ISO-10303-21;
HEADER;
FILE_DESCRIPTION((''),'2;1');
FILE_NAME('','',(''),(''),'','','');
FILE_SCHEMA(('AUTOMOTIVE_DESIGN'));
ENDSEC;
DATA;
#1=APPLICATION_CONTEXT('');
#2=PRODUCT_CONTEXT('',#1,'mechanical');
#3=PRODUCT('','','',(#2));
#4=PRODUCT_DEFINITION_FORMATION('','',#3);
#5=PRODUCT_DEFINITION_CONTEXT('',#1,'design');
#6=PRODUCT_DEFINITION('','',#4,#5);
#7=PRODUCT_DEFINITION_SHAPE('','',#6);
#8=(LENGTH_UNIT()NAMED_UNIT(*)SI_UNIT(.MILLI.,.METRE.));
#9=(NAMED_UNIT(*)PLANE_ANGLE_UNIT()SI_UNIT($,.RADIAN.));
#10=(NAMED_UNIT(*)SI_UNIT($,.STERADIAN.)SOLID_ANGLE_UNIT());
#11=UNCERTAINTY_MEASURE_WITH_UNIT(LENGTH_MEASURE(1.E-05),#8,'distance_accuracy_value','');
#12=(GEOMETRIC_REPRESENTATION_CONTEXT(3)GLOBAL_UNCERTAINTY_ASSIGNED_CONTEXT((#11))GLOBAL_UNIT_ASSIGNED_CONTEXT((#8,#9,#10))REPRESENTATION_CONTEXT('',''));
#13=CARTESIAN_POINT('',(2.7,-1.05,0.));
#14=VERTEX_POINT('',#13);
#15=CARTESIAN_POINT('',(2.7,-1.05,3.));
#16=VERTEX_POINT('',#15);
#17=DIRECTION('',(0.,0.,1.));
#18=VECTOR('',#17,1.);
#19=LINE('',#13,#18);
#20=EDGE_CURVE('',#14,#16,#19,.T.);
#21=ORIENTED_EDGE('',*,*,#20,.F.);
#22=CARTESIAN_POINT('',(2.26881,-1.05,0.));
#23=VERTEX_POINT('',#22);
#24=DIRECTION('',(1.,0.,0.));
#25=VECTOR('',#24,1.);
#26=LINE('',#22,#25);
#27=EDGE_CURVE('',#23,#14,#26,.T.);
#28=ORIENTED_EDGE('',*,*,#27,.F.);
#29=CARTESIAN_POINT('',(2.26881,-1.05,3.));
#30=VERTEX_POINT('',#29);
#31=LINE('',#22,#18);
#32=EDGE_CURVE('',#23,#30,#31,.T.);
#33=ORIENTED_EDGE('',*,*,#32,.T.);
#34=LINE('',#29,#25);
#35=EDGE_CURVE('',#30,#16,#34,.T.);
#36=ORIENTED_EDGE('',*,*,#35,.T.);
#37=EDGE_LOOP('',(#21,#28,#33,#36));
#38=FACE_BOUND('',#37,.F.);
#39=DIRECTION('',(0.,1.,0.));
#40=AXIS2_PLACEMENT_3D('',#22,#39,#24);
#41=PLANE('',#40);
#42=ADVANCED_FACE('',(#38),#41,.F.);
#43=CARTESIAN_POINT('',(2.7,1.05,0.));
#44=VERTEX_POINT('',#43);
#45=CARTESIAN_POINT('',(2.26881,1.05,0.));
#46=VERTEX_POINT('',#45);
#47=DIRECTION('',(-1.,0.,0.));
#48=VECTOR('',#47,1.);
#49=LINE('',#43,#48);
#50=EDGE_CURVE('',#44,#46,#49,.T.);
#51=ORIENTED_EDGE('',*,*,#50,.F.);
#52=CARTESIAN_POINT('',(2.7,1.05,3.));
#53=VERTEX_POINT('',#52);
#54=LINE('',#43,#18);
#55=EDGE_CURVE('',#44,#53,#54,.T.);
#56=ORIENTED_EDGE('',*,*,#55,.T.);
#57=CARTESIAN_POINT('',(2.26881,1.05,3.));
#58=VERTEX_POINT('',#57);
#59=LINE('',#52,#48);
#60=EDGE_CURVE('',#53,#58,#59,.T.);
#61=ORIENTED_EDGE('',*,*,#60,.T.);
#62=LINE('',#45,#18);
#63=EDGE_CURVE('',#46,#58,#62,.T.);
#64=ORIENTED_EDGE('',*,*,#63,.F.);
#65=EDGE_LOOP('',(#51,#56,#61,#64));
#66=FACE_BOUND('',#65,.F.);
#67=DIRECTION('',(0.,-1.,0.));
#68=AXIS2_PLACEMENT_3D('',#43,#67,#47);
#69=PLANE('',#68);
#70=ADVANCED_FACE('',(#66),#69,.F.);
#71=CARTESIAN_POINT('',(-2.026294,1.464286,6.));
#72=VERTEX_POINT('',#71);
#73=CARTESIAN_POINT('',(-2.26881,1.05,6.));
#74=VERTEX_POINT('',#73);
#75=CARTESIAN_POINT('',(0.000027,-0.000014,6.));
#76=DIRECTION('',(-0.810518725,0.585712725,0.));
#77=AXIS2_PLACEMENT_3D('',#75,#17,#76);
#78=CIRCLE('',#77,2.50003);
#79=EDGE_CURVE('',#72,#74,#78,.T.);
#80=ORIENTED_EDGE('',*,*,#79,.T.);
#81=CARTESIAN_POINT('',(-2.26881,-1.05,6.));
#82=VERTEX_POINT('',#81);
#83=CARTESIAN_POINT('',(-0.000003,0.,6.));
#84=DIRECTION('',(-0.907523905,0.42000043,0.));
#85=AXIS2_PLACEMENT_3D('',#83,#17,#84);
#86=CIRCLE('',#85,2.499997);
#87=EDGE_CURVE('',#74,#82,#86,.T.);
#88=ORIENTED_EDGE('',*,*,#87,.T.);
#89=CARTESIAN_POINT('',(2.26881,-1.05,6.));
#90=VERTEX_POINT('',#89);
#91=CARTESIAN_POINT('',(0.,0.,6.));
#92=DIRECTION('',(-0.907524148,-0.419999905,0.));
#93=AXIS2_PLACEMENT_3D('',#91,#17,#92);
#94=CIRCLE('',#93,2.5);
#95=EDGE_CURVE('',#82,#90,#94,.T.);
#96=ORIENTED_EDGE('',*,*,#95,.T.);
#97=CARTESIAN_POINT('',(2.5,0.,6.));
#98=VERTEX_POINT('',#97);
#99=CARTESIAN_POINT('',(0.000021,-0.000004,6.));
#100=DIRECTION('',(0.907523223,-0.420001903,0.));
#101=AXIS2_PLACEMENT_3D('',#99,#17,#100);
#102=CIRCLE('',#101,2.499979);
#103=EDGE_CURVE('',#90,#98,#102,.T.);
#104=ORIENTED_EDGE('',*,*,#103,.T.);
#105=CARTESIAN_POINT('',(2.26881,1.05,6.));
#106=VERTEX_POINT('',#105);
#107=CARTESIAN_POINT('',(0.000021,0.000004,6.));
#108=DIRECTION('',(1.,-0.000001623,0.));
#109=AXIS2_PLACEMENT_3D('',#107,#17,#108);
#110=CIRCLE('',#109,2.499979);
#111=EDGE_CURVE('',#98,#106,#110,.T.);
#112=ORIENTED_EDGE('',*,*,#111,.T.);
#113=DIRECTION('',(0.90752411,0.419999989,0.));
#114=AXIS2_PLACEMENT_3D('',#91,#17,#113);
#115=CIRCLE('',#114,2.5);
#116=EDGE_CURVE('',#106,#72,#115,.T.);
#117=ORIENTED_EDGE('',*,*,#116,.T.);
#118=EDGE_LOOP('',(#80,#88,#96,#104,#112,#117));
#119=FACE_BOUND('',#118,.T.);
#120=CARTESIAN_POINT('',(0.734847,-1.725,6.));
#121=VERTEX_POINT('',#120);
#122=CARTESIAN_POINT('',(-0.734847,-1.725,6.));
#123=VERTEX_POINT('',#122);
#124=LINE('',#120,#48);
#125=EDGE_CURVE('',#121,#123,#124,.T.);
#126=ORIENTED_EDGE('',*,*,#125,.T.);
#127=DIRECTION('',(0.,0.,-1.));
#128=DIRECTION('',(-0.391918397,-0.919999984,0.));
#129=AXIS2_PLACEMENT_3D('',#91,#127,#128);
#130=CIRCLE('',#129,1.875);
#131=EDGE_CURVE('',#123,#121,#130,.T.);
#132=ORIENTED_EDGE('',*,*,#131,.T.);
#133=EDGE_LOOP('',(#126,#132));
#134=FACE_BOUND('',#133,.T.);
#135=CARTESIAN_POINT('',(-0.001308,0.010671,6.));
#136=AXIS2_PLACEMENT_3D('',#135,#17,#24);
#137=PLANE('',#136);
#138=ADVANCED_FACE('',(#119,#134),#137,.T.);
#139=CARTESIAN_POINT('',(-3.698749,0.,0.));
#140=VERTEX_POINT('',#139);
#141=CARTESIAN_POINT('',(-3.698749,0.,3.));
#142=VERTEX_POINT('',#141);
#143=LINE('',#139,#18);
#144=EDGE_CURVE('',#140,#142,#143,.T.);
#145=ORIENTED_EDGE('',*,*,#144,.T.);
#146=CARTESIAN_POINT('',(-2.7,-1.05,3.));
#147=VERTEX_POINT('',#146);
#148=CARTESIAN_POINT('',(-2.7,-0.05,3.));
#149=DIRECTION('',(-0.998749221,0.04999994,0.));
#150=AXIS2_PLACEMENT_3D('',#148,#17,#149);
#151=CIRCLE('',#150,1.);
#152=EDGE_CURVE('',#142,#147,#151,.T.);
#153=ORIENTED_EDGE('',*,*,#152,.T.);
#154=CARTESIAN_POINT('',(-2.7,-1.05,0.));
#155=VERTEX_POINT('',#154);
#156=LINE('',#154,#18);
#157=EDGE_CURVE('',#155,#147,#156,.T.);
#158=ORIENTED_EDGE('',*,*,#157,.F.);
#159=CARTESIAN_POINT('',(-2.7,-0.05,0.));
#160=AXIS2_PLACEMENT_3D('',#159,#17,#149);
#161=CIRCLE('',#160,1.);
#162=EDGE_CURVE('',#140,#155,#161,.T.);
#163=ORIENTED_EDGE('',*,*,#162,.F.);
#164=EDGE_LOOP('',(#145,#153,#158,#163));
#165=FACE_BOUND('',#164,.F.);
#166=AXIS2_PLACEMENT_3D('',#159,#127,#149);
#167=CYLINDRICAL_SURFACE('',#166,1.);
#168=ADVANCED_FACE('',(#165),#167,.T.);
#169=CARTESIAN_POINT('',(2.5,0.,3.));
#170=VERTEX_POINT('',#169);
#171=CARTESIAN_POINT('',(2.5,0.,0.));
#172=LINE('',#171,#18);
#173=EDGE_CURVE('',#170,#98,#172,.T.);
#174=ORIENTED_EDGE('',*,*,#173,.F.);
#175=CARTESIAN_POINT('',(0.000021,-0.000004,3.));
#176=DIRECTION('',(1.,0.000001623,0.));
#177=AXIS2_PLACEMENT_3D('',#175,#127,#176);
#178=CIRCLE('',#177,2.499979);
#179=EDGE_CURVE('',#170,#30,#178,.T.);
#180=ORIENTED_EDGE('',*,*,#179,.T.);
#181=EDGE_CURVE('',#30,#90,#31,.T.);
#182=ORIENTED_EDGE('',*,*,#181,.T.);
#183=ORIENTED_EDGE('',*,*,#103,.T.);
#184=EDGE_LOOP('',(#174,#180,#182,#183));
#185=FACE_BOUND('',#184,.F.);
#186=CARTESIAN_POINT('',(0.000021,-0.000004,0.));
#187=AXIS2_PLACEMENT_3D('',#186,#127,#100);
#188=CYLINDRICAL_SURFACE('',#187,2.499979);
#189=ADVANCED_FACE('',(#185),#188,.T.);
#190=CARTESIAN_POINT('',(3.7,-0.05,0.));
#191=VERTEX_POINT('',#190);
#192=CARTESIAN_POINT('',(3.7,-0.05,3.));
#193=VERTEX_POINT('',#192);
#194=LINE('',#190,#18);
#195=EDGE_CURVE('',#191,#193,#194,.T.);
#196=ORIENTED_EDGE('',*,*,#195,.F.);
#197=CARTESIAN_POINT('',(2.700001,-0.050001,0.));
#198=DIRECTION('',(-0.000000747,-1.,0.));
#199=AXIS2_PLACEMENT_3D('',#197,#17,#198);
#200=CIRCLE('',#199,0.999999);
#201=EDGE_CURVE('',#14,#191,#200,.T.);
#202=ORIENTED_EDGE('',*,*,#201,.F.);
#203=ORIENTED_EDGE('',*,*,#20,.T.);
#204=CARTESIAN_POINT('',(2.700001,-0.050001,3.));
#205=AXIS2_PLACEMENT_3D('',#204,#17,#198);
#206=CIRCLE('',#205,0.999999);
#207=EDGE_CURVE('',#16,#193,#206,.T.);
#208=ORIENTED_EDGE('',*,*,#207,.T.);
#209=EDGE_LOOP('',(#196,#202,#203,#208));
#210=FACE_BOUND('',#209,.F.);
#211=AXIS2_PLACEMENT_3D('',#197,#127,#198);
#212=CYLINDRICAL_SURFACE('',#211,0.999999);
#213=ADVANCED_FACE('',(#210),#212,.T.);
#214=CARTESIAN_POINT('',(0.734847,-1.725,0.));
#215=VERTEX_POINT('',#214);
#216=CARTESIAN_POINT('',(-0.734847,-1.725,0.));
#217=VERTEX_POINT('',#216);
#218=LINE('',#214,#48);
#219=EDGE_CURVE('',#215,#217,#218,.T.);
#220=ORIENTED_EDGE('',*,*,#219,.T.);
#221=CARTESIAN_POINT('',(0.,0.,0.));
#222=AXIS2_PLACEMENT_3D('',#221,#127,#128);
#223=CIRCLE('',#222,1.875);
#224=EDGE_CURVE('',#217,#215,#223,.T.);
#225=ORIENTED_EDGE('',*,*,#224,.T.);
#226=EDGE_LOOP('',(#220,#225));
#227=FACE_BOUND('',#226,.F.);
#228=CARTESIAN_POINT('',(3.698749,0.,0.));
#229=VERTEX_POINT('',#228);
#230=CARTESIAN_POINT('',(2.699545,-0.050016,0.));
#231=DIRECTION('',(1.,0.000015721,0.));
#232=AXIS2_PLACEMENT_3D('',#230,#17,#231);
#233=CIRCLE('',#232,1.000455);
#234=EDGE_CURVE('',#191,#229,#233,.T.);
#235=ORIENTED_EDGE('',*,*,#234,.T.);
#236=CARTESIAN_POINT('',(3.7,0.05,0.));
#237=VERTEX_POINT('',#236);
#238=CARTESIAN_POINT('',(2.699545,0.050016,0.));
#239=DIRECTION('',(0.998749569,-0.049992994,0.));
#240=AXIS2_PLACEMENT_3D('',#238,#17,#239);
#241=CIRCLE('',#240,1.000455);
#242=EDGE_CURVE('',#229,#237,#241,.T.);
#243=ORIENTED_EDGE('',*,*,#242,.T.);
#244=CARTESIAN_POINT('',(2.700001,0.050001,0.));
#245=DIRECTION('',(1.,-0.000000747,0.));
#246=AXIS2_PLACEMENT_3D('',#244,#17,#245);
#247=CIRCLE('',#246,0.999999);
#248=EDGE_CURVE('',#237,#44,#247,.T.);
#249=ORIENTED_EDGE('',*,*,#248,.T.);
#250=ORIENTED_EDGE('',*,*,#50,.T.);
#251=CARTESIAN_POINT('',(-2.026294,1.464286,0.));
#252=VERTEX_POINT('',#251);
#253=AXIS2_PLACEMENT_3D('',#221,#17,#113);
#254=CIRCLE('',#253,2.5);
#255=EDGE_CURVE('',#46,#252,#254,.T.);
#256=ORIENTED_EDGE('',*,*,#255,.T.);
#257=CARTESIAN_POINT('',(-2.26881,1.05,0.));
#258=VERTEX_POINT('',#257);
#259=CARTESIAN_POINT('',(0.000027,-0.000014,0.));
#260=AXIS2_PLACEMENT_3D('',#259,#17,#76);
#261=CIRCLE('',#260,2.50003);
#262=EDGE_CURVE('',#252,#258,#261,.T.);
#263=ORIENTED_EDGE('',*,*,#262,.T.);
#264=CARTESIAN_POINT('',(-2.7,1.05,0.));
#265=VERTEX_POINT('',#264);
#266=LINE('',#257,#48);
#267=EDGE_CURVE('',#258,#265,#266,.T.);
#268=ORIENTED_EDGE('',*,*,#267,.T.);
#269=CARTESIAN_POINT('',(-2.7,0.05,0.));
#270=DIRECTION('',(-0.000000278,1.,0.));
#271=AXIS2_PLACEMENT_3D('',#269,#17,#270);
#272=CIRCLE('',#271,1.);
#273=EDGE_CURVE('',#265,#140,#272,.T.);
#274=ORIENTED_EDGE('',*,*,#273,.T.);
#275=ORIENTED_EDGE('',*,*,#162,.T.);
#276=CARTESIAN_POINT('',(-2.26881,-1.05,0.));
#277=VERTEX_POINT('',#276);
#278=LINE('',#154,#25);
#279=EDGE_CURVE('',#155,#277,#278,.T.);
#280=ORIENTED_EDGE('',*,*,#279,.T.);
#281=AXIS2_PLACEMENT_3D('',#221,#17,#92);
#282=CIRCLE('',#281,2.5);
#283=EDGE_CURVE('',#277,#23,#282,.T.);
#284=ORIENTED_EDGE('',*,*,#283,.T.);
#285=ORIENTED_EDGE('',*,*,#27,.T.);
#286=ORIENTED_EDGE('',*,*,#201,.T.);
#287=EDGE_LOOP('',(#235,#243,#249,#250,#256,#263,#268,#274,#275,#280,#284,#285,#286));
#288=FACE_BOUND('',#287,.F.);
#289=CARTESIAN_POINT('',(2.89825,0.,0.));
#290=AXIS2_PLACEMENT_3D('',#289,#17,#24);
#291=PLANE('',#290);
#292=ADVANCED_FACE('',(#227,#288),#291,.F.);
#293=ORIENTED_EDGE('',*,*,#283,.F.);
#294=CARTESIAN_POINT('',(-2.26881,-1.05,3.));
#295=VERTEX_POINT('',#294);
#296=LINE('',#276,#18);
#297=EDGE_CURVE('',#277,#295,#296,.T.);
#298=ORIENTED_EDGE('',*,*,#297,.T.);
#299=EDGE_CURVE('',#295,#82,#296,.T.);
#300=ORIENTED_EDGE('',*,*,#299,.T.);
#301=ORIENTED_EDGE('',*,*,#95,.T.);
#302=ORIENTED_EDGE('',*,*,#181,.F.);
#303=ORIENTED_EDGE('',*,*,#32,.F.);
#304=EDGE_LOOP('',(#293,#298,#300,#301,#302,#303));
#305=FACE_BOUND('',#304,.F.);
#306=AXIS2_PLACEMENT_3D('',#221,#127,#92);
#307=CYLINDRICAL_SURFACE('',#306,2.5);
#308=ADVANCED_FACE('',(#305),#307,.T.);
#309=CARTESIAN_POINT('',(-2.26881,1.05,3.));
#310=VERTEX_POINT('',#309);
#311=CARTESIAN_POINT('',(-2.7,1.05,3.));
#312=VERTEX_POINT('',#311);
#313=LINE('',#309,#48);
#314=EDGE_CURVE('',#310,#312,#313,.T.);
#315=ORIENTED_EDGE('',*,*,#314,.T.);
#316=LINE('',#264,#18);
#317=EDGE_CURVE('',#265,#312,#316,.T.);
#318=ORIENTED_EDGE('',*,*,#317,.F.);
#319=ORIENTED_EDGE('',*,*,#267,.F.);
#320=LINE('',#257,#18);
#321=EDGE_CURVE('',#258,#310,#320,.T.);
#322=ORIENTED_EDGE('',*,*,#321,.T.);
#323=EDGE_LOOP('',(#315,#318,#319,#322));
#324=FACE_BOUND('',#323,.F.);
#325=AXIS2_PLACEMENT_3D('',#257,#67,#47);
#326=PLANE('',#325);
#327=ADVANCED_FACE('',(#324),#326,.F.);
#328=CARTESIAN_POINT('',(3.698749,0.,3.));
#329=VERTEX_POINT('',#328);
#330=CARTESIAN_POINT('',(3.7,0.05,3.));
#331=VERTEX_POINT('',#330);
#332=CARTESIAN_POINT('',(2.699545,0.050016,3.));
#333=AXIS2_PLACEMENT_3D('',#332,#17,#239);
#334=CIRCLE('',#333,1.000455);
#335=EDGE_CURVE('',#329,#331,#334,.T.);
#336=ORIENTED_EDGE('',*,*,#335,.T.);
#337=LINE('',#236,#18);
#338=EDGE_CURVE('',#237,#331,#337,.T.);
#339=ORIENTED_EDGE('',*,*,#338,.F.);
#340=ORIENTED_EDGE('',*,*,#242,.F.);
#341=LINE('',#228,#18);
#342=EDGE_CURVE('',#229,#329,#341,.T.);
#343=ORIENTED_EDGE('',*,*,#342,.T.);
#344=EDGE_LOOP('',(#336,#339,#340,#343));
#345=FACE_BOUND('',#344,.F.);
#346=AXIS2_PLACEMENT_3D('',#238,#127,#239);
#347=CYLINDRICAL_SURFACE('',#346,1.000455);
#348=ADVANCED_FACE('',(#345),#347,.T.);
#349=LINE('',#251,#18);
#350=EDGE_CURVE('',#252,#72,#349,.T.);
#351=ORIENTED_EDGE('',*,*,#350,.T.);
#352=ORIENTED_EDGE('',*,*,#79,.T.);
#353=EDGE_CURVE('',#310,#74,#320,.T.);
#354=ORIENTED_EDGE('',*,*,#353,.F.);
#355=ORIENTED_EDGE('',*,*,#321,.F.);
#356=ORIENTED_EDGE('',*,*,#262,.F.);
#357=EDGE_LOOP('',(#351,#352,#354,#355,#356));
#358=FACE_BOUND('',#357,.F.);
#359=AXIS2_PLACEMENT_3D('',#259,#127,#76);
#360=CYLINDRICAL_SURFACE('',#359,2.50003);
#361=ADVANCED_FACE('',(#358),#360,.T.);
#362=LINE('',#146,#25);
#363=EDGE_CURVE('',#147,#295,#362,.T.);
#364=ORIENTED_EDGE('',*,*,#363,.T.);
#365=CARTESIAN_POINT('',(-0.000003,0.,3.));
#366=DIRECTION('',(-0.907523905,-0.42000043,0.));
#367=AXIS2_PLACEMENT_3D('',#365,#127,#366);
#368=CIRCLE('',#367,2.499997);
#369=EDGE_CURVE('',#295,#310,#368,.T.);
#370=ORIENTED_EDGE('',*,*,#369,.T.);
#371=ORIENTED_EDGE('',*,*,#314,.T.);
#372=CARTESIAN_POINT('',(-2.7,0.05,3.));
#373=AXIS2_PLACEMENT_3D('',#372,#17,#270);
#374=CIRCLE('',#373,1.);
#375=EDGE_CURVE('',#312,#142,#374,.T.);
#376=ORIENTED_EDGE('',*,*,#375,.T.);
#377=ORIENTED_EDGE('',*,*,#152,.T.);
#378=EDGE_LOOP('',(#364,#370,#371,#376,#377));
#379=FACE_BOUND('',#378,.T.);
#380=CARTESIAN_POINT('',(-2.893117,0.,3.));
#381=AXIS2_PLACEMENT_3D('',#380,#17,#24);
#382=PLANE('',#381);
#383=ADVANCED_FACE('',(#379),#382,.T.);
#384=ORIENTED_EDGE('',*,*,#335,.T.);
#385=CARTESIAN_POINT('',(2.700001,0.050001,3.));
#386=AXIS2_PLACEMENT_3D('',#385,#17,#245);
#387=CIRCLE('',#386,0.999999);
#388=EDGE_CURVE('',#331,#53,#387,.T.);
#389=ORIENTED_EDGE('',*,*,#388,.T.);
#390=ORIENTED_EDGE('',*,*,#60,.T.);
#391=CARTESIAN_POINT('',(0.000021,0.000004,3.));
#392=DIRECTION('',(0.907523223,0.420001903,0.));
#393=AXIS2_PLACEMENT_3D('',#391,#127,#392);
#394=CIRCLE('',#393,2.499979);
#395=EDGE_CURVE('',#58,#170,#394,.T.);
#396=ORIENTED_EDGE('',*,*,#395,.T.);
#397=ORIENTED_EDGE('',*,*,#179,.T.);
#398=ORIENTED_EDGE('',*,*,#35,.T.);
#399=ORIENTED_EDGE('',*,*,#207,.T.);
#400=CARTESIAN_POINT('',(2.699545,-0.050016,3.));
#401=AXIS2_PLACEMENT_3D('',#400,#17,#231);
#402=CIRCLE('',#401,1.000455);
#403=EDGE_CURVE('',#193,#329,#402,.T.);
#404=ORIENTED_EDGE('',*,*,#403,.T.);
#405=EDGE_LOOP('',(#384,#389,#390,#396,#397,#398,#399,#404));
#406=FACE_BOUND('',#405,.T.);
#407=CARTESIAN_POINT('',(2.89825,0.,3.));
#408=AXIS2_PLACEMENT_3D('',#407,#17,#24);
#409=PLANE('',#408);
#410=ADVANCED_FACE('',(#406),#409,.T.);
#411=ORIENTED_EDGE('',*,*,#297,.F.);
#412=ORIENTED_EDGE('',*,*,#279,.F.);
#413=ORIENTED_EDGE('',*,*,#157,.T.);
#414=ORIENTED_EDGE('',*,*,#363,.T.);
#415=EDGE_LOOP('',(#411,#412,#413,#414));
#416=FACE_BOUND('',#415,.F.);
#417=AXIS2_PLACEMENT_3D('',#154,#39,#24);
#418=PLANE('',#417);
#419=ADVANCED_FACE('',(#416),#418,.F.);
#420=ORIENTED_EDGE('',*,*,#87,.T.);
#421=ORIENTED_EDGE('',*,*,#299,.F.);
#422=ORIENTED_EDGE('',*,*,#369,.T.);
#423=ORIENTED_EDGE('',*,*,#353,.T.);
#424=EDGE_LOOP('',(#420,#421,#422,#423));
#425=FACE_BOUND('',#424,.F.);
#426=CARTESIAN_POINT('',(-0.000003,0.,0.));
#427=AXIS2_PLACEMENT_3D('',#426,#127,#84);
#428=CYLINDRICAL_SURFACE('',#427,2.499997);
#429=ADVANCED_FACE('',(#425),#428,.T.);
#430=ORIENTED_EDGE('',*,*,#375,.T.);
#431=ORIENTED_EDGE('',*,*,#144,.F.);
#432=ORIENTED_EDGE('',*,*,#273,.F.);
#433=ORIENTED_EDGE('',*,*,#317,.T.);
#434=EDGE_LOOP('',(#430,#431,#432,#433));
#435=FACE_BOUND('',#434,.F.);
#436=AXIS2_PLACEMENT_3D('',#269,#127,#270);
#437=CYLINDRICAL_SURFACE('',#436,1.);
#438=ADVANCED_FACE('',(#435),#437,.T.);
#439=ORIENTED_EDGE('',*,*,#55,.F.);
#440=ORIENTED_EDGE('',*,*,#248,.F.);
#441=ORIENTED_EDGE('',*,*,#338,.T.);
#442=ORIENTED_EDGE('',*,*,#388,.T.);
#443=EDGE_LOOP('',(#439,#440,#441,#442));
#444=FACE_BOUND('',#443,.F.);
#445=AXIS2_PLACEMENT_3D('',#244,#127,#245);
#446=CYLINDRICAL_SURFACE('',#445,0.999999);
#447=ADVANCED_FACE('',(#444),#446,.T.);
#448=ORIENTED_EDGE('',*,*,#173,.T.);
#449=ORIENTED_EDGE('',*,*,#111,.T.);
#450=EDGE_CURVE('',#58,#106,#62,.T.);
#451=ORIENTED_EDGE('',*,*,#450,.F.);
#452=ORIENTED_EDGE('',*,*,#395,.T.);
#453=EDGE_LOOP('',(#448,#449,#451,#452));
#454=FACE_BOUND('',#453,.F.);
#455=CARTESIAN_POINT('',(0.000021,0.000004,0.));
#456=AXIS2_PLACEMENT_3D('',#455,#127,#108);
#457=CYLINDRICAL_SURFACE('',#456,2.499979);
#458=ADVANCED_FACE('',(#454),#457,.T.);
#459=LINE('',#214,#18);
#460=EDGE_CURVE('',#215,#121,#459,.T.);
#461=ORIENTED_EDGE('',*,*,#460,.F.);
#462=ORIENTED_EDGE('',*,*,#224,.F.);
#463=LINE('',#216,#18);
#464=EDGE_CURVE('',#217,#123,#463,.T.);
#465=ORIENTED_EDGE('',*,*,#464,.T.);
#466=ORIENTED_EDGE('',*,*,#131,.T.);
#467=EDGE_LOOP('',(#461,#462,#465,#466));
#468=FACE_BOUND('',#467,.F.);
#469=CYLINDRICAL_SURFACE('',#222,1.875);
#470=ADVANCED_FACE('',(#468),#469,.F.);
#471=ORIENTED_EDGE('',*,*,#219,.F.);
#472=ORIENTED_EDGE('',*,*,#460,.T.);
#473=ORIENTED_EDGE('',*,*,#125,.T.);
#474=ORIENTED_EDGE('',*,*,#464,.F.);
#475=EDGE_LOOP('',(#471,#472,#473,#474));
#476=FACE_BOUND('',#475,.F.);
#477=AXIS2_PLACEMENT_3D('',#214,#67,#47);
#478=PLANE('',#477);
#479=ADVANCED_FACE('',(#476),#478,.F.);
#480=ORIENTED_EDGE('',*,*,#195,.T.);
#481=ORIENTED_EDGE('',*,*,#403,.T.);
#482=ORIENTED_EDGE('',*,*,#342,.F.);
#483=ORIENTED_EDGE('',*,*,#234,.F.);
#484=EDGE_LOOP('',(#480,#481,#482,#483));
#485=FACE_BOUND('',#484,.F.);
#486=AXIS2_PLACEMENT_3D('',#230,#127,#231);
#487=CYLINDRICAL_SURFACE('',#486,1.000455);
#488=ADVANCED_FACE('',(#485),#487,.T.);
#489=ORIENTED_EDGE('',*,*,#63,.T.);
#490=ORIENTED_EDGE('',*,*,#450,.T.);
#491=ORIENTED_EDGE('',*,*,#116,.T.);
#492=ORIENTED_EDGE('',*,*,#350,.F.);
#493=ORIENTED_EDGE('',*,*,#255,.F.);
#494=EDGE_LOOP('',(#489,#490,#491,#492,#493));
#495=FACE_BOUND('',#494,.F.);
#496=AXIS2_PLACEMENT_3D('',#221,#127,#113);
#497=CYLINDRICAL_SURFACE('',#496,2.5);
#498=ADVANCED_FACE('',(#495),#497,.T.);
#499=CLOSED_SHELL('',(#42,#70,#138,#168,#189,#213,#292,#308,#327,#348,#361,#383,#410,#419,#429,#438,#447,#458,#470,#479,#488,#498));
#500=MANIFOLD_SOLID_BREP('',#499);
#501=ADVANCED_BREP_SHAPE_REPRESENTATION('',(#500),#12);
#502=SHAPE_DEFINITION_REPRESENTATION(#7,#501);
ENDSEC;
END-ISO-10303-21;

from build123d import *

# Parameters (mm, degrees)
F1_DEPTH = 6
F2_DEPTH = 3


with BuildPart() as f1:
    # F0 (on Top) → F1 (new body)
    with BuildSketch(Plane.XY):
        with BuildLine():
            ThreePointArc((2.26881, -1.05), (2.441519, -0.537575), (2.5, 0))
            ThreePointArc((2.5, 0), (2.441519, 0.537575), (2.26881, 1.05))
            ThreePointArc((2.26881, 1.05), (0.240024, 2.488451), (-2.026294, 1.464286))
            ThreePointArc((-2.026294, 1.464286), (-2.157519, 1.262977), (-2.26881, 1.05))
            ThreePointArc((-2.26881, 1.05), (-2.5, 0), (-2.26881, -1.05))
            ThreePointArc((-2.26881, -1.05), (0, -2.5), (2.26881, -1.05))
        make_face()
        with BuildLine():
            ThreePointArc((-0.734847, -1.725), (0, 1.875), (0.734847, -1.725))
            Line((0.734847, -1.725), (-0.734847, -1.725))
        make_face(mode=Mode.SUBTRACT)
    extrude(amount=F1_DEPTH)

    # F0 (on Top) → F2 (join)
    with BuildSketch(Plane.XY):
        with BuildLine():
            ThreePointArc((2.26881, 1.05), (2.441519, 0.537575), (2.5, 0))
            ThreePointArc((2.5, 0), (2.441519, -0.537575), (2.26881, -1.05))
            Line((2.26881, -1.05), (2.7, -1.05))
            ThreePointArc((2.7, -1.05), (3.407107, -0.757107), (3.7, -0.05))
            ThreePointArc((3.7, -0.05), (3.699687, -0.024992), (3.698749, 0))
            ThreePointArc((3.698749, 0), (3.699687, 0.024992), (3.7, 0.05))
            ThreePointArc((3.7, 0.05), (3.407107, 0.757107), (2.7, 1.05))
            Line((2.7, 1.05), (2.26881, 1.05))
        make_face()
        with BuildLine():
            Line((-2.7, -1.05), (-2.26881, -1.05))
            ThreePointArc((-2.26881, -1.05), (-2.5, 0), (-2.26881, 1.05))
            Line((-2.26881, 1.05), (-2.7, 1.05))
            ThreePointArc((-2.7, 1.05), (-3.424569, 0.739202), (-3.698749, 0))
            ThreePointArc((-3.698749, 0), (-3.424569, -0.739202), (-2.7, -1.05))
        make_face()
    extrude(amount=F2_DEPTH)


solid = f1.part
